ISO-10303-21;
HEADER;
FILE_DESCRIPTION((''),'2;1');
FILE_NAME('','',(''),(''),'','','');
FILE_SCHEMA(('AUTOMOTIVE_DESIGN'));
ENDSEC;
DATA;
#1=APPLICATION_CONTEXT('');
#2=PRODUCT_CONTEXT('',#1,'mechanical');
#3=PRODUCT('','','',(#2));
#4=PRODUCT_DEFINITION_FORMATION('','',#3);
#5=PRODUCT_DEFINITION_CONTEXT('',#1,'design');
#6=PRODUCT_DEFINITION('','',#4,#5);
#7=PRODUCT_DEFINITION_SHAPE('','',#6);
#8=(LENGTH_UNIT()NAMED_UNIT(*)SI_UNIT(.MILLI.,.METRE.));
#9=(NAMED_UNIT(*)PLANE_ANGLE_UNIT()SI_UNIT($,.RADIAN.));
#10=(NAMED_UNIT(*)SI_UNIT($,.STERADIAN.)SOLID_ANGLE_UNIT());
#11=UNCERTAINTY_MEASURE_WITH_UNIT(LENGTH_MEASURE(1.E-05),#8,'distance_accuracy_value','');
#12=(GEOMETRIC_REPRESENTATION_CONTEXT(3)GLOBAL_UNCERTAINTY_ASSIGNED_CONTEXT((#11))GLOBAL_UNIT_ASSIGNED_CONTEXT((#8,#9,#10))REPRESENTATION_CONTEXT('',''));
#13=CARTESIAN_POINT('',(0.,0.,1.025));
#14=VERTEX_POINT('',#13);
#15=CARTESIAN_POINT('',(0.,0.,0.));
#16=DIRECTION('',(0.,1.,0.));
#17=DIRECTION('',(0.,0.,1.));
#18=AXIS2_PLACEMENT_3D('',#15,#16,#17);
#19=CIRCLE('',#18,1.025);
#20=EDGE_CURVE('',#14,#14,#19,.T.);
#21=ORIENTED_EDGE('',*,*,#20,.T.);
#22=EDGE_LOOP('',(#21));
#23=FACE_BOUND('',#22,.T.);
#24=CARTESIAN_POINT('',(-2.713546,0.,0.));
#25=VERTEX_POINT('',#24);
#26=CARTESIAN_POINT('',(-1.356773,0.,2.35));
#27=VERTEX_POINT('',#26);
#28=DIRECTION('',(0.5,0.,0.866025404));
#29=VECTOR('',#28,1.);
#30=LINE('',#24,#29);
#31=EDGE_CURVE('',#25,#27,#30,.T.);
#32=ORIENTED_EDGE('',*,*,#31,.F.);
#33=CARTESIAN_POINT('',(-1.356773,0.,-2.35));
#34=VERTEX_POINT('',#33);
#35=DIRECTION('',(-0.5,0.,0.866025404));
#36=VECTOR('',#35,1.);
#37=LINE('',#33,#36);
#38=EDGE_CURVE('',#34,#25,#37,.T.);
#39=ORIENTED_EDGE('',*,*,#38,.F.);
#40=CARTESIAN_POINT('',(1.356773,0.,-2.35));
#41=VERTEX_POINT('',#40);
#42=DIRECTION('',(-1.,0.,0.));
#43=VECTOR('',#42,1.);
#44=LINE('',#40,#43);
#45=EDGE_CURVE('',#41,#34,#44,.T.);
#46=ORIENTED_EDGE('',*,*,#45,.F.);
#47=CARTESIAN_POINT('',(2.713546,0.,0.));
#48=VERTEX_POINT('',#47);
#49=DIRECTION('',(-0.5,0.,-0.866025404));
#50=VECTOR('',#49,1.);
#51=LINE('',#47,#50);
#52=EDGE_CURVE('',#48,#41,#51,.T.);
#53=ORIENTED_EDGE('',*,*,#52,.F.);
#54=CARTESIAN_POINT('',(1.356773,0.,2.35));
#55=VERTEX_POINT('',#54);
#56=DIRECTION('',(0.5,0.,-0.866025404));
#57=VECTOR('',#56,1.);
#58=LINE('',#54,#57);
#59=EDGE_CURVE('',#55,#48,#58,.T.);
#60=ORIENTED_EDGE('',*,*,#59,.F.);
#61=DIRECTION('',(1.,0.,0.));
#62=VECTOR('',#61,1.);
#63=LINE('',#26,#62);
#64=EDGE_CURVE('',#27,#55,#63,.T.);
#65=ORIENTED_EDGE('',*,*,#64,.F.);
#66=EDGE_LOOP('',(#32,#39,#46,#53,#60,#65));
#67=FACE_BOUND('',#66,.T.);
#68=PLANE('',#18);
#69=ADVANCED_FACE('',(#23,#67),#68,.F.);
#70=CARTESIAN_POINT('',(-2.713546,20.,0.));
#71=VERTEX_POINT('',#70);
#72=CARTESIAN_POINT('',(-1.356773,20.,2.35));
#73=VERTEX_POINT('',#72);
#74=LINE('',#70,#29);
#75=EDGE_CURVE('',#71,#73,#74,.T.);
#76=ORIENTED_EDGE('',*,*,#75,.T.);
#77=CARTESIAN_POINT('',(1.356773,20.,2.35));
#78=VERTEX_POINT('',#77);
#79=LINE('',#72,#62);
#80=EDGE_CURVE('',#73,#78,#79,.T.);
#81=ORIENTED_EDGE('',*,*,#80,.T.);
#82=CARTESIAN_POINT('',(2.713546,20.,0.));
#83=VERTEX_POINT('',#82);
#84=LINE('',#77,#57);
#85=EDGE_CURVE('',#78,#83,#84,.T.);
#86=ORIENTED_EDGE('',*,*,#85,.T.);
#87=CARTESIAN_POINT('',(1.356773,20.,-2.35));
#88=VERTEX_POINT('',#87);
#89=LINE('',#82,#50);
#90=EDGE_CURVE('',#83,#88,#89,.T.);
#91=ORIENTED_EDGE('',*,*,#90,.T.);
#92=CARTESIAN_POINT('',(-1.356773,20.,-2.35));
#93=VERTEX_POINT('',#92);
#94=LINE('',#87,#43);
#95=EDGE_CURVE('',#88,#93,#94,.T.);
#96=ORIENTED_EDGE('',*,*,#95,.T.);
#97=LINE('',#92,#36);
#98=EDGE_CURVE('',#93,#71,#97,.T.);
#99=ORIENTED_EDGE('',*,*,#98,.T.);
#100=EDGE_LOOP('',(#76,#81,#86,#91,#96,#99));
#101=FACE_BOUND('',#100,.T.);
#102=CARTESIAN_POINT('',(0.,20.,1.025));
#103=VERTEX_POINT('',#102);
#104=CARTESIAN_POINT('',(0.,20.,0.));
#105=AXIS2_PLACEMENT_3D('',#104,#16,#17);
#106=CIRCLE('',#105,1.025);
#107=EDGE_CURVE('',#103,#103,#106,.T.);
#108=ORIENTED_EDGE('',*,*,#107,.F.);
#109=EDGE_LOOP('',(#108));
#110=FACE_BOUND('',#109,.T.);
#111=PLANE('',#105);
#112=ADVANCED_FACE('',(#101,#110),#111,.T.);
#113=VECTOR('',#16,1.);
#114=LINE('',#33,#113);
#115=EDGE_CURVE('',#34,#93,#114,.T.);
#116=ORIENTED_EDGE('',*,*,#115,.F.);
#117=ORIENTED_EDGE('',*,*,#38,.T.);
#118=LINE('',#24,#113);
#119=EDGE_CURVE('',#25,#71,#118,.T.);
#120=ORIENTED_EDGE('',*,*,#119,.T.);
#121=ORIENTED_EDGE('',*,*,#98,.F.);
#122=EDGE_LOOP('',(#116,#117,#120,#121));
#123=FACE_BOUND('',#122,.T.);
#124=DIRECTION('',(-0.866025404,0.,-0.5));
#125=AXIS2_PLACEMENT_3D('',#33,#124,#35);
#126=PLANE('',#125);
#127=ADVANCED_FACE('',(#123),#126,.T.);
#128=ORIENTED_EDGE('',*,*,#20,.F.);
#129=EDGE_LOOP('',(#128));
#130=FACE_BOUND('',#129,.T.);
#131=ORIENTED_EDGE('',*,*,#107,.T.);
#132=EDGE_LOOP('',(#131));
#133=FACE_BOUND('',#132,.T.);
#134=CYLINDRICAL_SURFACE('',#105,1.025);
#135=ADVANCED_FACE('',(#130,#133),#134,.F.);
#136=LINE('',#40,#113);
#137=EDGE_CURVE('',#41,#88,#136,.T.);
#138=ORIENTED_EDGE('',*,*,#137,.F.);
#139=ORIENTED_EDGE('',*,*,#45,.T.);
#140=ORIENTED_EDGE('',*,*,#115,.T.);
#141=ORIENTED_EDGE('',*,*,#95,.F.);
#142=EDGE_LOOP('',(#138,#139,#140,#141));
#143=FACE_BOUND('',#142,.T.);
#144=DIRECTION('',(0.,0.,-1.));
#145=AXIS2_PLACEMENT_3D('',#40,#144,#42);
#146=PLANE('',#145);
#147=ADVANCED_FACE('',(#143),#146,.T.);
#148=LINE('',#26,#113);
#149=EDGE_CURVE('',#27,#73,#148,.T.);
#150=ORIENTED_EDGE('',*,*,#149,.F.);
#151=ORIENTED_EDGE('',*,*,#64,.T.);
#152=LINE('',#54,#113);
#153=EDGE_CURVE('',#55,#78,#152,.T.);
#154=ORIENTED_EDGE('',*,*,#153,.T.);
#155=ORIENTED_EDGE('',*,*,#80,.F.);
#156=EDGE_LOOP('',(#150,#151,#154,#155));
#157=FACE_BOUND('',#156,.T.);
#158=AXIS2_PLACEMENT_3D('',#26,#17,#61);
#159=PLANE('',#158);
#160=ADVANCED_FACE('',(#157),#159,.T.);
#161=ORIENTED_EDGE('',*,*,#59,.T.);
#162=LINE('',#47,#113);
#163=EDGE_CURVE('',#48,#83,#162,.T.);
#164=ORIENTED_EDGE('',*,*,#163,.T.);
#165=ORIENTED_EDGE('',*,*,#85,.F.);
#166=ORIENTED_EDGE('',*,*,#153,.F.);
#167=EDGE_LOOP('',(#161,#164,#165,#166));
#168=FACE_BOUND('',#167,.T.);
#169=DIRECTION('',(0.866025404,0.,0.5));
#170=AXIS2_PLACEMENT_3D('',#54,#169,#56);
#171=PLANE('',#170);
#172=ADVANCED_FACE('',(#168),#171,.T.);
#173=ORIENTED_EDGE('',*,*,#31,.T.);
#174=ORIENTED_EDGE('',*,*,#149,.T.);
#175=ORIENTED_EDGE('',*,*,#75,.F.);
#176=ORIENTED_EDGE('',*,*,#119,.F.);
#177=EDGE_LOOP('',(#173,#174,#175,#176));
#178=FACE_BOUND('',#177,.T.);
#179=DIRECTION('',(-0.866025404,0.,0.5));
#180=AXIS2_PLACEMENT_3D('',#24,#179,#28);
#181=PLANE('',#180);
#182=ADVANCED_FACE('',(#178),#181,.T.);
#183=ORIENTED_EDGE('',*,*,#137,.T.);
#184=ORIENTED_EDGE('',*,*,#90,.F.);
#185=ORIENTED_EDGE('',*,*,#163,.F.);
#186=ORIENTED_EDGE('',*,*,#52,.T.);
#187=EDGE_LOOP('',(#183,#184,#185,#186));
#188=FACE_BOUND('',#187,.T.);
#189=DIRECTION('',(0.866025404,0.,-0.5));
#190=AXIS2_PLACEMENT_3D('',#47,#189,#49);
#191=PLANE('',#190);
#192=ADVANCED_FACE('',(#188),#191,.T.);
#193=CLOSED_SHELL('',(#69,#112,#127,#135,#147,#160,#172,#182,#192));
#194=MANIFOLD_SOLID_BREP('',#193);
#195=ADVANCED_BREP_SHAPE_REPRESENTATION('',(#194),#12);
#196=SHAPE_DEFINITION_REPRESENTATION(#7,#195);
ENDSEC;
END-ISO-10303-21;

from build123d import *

# Parameters (mm, degrees)
BOSS_EXTRUDE1_DEPTH                = 20
TAP_DRILL_FOR_M2_5X0_45_TAP1_D     = 2.05
TAP_DRILL_FOR_M2_5X0_45_TAP1_DEPTH = 21


with BuildPart() as part:
    # Sketch1 → Boss-Extrude1 (new body)
    with BuildSketch(Plane(origin=(0, 20, 0), x_dir=(1, 0, 0), z_dir=(0, 1, 0))):
        Polygon((1.356773133, -2.35), (2.713546265, 0), (1.356773133, 2.35), (-1.356773133, 2.35), (-2.713546265, 0), (-1.356773133, -2.35), align=None)
    extrude(amount=-BOSS_EXTRUDE1_DEPTH)

    # Tap Drill for M2.5x0.45 Tap1
    with Locations(Plane(origin=(0, 20, 0), x_dir=(1, 0, 0), z_dir=(0, 1, 0))):
        with Locations((0, 0)):
            Hole(TAP_DRILL_FOR_M2_5X0_45_TAP1_D / 2, depth=TAP_DRILL_FOR_M2_5X0_45_TAP1_DEPTH)


solid = part.part
